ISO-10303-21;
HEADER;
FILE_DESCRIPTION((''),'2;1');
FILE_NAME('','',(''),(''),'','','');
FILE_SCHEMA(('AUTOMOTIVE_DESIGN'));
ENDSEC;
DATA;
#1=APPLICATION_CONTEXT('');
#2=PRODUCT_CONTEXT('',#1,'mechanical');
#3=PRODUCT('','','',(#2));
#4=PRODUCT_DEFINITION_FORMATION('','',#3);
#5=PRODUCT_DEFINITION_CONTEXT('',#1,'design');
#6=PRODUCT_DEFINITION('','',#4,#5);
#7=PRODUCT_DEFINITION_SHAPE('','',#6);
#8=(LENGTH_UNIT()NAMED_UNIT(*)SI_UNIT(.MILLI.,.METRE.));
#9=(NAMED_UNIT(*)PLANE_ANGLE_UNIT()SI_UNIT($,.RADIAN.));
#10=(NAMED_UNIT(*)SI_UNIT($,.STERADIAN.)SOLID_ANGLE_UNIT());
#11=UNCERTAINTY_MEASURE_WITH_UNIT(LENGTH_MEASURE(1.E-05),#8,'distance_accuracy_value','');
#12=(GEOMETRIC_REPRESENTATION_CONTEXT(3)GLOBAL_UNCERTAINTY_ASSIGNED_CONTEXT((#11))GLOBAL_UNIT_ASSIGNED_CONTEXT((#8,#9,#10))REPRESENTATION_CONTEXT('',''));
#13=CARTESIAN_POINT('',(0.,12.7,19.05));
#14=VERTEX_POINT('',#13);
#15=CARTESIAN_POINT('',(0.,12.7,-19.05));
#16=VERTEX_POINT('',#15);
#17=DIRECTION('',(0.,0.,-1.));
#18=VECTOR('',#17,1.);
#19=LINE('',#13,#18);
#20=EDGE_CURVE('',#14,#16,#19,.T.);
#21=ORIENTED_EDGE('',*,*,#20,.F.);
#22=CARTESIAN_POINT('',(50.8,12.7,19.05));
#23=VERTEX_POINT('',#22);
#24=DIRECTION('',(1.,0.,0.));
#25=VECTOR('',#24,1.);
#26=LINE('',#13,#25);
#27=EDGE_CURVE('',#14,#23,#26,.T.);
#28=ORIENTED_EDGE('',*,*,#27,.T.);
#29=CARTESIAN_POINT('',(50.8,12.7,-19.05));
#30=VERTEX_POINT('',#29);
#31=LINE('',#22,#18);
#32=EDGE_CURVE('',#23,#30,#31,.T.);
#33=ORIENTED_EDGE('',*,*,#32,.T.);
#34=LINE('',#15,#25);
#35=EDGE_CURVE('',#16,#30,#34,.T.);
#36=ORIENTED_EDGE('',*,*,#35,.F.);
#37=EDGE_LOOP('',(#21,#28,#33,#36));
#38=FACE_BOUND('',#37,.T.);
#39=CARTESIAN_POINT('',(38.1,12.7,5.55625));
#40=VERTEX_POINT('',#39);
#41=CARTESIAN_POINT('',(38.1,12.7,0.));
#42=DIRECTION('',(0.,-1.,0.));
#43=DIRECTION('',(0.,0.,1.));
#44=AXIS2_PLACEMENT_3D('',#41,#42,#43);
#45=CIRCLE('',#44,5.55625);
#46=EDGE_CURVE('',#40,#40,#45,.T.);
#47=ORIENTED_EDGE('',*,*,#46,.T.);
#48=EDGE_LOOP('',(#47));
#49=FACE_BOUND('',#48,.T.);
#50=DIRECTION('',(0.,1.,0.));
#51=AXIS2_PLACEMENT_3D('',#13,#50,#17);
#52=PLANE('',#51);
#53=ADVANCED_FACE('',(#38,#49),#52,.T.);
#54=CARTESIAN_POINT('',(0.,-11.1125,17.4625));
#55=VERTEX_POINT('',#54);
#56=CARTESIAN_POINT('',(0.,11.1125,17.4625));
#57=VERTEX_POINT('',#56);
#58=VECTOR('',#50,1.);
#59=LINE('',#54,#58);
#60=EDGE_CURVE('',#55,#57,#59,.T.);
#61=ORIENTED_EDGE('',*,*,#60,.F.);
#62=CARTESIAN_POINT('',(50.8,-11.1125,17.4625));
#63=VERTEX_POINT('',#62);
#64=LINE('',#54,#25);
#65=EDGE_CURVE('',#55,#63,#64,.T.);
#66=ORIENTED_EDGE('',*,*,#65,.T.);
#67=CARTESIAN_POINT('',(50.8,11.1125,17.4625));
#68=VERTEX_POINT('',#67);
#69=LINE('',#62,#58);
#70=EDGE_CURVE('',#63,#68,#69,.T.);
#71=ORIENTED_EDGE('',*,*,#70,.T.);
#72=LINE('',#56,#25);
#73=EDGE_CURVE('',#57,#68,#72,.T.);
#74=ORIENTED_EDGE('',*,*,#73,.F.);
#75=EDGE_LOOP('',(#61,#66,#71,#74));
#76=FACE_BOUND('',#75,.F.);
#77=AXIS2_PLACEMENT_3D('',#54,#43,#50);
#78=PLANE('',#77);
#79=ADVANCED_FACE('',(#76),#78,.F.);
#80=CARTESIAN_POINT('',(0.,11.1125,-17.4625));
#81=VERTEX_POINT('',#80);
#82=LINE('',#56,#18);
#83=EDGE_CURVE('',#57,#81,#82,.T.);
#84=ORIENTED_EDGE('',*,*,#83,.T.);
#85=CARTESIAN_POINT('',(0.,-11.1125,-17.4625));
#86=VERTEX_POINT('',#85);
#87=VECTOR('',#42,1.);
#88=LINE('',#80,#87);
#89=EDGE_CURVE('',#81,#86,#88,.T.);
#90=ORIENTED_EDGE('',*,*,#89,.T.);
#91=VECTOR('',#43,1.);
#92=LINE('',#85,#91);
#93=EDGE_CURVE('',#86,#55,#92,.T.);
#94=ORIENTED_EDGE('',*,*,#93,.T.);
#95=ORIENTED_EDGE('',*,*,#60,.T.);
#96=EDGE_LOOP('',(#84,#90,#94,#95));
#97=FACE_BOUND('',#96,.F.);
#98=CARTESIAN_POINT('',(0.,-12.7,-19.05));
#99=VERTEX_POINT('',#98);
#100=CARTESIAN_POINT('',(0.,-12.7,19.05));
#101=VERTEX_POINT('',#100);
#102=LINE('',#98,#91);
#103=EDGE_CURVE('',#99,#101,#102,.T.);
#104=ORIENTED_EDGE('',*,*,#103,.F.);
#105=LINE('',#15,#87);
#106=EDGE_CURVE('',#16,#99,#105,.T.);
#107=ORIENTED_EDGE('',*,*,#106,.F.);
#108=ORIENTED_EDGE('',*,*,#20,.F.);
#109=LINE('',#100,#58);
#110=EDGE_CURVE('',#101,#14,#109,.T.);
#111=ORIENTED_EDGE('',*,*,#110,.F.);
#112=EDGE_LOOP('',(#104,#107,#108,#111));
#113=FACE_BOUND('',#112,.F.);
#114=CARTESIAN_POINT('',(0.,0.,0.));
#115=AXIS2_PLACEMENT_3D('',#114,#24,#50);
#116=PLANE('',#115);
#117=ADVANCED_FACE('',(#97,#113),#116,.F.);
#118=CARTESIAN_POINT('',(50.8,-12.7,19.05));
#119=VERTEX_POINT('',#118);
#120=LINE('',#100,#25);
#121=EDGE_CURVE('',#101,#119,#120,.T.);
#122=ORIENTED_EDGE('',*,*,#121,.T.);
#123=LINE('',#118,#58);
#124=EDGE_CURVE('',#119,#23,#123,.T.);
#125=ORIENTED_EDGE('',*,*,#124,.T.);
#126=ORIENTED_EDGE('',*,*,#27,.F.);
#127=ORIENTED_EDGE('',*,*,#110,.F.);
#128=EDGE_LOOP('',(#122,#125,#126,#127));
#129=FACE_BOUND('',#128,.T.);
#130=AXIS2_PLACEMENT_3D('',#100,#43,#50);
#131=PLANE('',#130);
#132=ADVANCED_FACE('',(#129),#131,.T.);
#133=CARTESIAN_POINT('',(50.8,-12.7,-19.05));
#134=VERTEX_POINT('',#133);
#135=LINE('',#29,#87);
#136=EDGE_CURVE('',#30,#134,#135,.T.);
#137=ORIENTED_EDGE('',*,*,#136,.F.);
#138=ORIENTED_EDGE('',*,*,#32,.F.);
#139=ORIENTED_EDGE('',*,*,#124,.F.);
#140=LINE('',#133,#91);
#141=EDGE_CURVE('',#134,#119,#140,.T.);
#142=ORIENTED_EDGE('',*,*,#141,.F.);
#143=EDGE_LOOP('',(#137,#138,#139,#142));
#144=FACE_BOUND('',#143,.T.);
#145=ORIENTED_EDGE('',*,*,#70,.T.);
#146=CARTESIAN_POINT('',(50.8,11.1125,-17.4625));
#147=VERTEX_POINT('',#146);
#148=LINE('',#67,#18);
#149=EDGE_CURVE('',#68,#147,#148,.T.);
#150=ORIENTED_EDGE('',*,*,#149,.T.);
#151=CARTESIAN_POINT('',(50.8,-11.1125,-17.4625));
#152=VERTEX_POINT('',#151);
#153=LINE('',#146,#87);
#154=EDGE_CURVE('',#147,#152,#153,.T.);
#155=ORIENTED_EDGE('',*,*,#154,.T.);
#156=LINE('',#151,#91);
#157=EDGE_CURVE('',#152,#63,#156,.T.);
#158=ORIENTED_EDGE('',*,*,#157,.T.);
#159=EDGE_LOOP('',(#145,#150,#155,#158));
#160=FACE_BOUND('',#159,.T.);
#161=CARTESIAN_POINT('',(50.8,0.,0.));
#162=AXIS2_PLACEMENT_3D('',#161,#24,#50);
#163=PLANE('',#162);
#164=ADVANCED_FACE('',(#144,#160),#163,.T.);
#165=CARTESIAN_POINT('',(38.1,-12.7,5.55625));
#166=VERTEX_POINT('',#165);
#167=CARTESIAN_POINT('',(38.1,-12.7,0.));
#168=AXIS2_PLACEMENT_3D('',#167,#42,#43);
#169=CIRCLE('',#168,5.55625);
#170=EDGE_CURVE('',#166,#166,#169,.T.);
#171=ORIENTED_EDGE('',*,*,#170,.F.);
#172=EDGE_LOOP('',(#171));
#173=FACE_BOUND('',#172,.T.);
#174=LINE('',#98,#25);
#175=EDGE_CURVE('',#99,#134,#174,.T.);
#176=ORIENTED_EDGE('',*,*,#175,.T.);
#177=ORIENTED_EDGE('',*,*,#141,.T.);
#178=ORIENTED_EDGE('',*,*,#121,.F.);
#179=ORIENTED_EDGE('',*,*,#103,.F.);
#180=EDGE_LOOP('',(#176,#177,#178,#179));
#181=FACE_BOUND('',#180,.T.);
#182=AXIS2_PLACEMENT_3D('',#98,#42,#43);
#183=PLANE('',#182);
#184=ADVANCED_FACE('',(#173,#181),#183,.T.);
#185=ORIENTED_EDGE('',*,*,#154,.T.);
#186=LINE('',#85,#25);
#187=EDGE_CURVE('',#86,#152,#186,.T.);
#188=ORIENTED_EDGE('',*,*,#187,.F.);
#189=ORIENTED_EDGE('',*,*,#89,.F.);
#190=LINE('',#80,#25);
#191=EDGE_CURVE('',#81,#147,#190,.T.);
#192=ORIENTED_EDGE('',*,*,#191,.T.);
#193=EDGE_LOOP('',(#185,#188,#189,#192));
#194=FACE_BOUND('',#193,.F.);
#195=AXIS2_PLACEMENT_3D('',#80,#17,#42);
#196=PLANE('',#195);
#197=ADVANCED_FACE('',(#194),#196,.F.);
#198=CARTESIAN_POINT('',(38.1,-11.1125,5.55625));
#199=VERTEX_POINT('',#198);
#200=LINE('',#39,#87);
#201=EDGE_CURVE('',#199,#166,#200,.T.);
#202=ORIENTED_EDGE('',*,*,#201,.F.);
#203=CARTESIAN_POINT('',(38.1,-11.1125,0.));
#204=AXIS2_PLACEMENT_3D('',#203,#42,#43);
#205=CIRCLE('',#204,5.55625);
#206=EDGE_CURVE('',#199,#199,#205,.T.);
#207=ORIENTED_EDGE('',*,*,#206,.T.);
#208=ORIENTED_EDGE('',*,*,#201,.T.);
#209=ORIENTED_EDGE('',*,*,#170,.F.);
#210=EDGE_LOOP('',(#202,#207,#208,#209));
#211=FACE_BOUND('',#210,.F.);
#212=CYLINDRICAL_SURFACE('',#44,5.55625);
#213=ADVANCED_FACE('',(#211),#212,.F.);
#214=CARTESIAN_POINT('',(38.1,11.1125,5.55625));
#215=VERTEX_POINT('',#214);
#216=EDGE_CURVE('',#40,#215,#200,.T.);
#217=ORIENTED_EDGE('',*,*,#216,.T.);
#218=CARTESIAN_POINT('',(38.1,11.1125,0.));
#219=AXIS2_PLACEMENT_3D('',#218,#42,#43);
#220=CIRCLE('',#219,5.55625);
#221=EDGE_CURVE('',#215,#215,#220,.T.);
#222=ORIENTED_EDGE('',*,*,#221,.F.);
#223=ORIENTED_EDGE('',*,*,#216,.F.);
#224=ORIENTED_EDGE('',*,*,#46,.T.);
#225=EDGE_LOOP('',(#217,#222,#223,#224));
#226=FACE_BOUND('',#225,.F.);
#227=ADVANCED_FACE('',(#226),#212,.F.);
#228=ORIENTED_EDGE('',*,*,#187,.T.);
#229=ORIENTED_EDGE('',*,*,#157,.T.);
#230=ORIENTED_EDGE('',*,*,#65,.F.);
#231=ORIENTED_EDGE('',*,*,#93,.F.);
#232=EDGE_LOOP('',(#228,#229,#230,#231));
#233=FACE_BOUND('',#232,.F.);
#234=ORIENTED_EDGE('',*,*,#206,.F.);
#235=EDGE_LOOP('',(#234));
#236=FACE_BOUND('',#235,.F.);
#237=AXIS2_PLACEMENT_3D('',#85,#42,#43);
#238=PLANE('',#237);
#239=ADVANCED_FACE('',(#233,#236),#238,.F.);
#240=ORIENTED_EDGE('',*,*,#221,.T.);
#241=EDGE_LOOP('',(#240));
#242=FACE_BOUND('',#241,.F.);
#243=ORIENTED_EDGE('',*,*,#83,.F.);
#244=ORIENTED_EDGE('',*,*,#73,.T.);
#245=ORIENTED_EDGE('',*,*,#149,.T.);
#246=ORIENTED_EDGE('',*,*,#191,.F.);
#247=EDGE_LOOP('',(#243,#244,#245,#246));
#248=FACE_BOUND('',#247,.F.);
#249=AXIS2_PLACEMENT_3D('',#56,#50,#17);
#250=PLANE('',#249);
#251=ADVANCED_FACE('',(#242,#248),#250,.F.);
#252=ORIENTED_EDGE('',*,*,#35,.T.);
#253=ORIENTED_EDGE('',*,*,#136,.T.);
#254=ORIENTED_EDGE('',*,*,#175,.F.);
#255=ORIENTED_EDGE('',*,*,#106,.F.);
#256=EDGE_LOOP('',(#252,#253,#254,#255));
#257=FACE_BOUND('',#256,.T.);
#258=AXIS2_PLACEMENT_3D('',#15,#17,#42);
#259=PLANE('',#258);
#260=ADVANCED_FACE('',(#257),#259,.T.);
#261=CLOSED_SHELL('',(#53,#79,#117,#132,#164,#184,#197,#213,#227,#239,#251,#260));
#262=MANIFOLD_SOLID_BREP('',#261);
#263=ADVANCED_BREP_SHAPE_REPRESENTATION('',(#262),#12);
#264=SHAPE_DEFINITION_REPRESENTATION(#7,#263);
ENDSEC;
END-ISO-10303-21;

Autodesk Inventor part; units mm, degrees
ref_plane "Work Plane3" through (0, 12.7, 0) normal (0, 1, 0) x (-1, 0, 0)
ref_plane "Start Plane" through (0, 0, 0) normal (1, 0, 0) x (0, 1, 0)
ref_plane "End Plane" through (50.8, 0, 0) normal (1, 0, 0) x (0, 1, 0)
sketch "Sketch" plane through (0, 0, 0) normal (1, 0, 0) x (0, 1, 0)
  line L0 (-12.7, 19.05) -> (12.7, 19.05)
  line L1 (12.7, 19.05) -> (12.7, -19.05)
  line L2 (12.7, -19.05) -> (-12.7, -19.05)
  line L3 (-12.7, -19.05) -> (-12.7, 19.05)
  line L4 (-12.7, 19.05) -> (12.7, -19.05) construction
  line L5 (12.7, 19.05) -> (-12.7, -19.05) construction
  line L6 (-11.1125, 17.4625) -> (11.1125, 17.4625)
  line L7 (11.1125, 17.4625) -> (11.1125, -17.4625)
  line L8 (11.1125, -17.4625) -> (-11.1125, -17.4625)
  line L9 (-11.1125, -17.4625) -> (-11.1125, 17.4625)
  line L10 (-11.1125, 17.4625) -> (11.1125, -17.4625) construction
  line L11 (11.1125, 17.4625) -> (-11.1125, -17.4625) construction
  point P0 (0, 0)
  dimension "d0" = 38.1
  dimension "d1" = 25.4
  dimension "d2" = 1.5875
  dimension "d3" = 1.5875
extrude "Body" add sketch "Sketch" along normal up to surface (50.8 mm away) from surface at 0
sketch "Sketch8" plane through (0, 0, 0) normal (1, 0, 0) x (0, 1, 0)
  line L0 (0, 0) -> (10, 0)
ref_plane "Work Plane6" through (0, 0, 0) normal (0, 0, -1) x (0, 1, 0)
sketch "Sketch9" plane through (0, 0, 0) normal (0, 0, -1) x (0, 1, 0)
  line L0 (-17.78, 0) -> (17.78, 0)
  line L1 (-17.78, 50.8) -> (17.78, 50.8)
  dimension "d21" = 50.8
sketch "Sketch5" plane through (0, 12.7, -19.05) normal (0, 1, 0) x (1, 0, 0)
  line L0 (0, -38.1) -> (0, 0) projected
  point P0 (0, -19.05)
  point P1 (38.1, -19.05)
  dimension "d22" = 38.1
hole "Hole2" at (38.1, 12.7, 0) direction (0, -1, 0) diameter 11.1125 end through all
equation "\"d3\" = d2"
equation "\"G_OFFSET_START\" = 0"
equation "\"G_OFFSET_END\" = 0"
equation "\"d17\" = d4 + G_OFFSET_END"
equation "\"G_L\" = d21"
equation "\"d4\" = 50.8"
properties part number "1606067101336"
